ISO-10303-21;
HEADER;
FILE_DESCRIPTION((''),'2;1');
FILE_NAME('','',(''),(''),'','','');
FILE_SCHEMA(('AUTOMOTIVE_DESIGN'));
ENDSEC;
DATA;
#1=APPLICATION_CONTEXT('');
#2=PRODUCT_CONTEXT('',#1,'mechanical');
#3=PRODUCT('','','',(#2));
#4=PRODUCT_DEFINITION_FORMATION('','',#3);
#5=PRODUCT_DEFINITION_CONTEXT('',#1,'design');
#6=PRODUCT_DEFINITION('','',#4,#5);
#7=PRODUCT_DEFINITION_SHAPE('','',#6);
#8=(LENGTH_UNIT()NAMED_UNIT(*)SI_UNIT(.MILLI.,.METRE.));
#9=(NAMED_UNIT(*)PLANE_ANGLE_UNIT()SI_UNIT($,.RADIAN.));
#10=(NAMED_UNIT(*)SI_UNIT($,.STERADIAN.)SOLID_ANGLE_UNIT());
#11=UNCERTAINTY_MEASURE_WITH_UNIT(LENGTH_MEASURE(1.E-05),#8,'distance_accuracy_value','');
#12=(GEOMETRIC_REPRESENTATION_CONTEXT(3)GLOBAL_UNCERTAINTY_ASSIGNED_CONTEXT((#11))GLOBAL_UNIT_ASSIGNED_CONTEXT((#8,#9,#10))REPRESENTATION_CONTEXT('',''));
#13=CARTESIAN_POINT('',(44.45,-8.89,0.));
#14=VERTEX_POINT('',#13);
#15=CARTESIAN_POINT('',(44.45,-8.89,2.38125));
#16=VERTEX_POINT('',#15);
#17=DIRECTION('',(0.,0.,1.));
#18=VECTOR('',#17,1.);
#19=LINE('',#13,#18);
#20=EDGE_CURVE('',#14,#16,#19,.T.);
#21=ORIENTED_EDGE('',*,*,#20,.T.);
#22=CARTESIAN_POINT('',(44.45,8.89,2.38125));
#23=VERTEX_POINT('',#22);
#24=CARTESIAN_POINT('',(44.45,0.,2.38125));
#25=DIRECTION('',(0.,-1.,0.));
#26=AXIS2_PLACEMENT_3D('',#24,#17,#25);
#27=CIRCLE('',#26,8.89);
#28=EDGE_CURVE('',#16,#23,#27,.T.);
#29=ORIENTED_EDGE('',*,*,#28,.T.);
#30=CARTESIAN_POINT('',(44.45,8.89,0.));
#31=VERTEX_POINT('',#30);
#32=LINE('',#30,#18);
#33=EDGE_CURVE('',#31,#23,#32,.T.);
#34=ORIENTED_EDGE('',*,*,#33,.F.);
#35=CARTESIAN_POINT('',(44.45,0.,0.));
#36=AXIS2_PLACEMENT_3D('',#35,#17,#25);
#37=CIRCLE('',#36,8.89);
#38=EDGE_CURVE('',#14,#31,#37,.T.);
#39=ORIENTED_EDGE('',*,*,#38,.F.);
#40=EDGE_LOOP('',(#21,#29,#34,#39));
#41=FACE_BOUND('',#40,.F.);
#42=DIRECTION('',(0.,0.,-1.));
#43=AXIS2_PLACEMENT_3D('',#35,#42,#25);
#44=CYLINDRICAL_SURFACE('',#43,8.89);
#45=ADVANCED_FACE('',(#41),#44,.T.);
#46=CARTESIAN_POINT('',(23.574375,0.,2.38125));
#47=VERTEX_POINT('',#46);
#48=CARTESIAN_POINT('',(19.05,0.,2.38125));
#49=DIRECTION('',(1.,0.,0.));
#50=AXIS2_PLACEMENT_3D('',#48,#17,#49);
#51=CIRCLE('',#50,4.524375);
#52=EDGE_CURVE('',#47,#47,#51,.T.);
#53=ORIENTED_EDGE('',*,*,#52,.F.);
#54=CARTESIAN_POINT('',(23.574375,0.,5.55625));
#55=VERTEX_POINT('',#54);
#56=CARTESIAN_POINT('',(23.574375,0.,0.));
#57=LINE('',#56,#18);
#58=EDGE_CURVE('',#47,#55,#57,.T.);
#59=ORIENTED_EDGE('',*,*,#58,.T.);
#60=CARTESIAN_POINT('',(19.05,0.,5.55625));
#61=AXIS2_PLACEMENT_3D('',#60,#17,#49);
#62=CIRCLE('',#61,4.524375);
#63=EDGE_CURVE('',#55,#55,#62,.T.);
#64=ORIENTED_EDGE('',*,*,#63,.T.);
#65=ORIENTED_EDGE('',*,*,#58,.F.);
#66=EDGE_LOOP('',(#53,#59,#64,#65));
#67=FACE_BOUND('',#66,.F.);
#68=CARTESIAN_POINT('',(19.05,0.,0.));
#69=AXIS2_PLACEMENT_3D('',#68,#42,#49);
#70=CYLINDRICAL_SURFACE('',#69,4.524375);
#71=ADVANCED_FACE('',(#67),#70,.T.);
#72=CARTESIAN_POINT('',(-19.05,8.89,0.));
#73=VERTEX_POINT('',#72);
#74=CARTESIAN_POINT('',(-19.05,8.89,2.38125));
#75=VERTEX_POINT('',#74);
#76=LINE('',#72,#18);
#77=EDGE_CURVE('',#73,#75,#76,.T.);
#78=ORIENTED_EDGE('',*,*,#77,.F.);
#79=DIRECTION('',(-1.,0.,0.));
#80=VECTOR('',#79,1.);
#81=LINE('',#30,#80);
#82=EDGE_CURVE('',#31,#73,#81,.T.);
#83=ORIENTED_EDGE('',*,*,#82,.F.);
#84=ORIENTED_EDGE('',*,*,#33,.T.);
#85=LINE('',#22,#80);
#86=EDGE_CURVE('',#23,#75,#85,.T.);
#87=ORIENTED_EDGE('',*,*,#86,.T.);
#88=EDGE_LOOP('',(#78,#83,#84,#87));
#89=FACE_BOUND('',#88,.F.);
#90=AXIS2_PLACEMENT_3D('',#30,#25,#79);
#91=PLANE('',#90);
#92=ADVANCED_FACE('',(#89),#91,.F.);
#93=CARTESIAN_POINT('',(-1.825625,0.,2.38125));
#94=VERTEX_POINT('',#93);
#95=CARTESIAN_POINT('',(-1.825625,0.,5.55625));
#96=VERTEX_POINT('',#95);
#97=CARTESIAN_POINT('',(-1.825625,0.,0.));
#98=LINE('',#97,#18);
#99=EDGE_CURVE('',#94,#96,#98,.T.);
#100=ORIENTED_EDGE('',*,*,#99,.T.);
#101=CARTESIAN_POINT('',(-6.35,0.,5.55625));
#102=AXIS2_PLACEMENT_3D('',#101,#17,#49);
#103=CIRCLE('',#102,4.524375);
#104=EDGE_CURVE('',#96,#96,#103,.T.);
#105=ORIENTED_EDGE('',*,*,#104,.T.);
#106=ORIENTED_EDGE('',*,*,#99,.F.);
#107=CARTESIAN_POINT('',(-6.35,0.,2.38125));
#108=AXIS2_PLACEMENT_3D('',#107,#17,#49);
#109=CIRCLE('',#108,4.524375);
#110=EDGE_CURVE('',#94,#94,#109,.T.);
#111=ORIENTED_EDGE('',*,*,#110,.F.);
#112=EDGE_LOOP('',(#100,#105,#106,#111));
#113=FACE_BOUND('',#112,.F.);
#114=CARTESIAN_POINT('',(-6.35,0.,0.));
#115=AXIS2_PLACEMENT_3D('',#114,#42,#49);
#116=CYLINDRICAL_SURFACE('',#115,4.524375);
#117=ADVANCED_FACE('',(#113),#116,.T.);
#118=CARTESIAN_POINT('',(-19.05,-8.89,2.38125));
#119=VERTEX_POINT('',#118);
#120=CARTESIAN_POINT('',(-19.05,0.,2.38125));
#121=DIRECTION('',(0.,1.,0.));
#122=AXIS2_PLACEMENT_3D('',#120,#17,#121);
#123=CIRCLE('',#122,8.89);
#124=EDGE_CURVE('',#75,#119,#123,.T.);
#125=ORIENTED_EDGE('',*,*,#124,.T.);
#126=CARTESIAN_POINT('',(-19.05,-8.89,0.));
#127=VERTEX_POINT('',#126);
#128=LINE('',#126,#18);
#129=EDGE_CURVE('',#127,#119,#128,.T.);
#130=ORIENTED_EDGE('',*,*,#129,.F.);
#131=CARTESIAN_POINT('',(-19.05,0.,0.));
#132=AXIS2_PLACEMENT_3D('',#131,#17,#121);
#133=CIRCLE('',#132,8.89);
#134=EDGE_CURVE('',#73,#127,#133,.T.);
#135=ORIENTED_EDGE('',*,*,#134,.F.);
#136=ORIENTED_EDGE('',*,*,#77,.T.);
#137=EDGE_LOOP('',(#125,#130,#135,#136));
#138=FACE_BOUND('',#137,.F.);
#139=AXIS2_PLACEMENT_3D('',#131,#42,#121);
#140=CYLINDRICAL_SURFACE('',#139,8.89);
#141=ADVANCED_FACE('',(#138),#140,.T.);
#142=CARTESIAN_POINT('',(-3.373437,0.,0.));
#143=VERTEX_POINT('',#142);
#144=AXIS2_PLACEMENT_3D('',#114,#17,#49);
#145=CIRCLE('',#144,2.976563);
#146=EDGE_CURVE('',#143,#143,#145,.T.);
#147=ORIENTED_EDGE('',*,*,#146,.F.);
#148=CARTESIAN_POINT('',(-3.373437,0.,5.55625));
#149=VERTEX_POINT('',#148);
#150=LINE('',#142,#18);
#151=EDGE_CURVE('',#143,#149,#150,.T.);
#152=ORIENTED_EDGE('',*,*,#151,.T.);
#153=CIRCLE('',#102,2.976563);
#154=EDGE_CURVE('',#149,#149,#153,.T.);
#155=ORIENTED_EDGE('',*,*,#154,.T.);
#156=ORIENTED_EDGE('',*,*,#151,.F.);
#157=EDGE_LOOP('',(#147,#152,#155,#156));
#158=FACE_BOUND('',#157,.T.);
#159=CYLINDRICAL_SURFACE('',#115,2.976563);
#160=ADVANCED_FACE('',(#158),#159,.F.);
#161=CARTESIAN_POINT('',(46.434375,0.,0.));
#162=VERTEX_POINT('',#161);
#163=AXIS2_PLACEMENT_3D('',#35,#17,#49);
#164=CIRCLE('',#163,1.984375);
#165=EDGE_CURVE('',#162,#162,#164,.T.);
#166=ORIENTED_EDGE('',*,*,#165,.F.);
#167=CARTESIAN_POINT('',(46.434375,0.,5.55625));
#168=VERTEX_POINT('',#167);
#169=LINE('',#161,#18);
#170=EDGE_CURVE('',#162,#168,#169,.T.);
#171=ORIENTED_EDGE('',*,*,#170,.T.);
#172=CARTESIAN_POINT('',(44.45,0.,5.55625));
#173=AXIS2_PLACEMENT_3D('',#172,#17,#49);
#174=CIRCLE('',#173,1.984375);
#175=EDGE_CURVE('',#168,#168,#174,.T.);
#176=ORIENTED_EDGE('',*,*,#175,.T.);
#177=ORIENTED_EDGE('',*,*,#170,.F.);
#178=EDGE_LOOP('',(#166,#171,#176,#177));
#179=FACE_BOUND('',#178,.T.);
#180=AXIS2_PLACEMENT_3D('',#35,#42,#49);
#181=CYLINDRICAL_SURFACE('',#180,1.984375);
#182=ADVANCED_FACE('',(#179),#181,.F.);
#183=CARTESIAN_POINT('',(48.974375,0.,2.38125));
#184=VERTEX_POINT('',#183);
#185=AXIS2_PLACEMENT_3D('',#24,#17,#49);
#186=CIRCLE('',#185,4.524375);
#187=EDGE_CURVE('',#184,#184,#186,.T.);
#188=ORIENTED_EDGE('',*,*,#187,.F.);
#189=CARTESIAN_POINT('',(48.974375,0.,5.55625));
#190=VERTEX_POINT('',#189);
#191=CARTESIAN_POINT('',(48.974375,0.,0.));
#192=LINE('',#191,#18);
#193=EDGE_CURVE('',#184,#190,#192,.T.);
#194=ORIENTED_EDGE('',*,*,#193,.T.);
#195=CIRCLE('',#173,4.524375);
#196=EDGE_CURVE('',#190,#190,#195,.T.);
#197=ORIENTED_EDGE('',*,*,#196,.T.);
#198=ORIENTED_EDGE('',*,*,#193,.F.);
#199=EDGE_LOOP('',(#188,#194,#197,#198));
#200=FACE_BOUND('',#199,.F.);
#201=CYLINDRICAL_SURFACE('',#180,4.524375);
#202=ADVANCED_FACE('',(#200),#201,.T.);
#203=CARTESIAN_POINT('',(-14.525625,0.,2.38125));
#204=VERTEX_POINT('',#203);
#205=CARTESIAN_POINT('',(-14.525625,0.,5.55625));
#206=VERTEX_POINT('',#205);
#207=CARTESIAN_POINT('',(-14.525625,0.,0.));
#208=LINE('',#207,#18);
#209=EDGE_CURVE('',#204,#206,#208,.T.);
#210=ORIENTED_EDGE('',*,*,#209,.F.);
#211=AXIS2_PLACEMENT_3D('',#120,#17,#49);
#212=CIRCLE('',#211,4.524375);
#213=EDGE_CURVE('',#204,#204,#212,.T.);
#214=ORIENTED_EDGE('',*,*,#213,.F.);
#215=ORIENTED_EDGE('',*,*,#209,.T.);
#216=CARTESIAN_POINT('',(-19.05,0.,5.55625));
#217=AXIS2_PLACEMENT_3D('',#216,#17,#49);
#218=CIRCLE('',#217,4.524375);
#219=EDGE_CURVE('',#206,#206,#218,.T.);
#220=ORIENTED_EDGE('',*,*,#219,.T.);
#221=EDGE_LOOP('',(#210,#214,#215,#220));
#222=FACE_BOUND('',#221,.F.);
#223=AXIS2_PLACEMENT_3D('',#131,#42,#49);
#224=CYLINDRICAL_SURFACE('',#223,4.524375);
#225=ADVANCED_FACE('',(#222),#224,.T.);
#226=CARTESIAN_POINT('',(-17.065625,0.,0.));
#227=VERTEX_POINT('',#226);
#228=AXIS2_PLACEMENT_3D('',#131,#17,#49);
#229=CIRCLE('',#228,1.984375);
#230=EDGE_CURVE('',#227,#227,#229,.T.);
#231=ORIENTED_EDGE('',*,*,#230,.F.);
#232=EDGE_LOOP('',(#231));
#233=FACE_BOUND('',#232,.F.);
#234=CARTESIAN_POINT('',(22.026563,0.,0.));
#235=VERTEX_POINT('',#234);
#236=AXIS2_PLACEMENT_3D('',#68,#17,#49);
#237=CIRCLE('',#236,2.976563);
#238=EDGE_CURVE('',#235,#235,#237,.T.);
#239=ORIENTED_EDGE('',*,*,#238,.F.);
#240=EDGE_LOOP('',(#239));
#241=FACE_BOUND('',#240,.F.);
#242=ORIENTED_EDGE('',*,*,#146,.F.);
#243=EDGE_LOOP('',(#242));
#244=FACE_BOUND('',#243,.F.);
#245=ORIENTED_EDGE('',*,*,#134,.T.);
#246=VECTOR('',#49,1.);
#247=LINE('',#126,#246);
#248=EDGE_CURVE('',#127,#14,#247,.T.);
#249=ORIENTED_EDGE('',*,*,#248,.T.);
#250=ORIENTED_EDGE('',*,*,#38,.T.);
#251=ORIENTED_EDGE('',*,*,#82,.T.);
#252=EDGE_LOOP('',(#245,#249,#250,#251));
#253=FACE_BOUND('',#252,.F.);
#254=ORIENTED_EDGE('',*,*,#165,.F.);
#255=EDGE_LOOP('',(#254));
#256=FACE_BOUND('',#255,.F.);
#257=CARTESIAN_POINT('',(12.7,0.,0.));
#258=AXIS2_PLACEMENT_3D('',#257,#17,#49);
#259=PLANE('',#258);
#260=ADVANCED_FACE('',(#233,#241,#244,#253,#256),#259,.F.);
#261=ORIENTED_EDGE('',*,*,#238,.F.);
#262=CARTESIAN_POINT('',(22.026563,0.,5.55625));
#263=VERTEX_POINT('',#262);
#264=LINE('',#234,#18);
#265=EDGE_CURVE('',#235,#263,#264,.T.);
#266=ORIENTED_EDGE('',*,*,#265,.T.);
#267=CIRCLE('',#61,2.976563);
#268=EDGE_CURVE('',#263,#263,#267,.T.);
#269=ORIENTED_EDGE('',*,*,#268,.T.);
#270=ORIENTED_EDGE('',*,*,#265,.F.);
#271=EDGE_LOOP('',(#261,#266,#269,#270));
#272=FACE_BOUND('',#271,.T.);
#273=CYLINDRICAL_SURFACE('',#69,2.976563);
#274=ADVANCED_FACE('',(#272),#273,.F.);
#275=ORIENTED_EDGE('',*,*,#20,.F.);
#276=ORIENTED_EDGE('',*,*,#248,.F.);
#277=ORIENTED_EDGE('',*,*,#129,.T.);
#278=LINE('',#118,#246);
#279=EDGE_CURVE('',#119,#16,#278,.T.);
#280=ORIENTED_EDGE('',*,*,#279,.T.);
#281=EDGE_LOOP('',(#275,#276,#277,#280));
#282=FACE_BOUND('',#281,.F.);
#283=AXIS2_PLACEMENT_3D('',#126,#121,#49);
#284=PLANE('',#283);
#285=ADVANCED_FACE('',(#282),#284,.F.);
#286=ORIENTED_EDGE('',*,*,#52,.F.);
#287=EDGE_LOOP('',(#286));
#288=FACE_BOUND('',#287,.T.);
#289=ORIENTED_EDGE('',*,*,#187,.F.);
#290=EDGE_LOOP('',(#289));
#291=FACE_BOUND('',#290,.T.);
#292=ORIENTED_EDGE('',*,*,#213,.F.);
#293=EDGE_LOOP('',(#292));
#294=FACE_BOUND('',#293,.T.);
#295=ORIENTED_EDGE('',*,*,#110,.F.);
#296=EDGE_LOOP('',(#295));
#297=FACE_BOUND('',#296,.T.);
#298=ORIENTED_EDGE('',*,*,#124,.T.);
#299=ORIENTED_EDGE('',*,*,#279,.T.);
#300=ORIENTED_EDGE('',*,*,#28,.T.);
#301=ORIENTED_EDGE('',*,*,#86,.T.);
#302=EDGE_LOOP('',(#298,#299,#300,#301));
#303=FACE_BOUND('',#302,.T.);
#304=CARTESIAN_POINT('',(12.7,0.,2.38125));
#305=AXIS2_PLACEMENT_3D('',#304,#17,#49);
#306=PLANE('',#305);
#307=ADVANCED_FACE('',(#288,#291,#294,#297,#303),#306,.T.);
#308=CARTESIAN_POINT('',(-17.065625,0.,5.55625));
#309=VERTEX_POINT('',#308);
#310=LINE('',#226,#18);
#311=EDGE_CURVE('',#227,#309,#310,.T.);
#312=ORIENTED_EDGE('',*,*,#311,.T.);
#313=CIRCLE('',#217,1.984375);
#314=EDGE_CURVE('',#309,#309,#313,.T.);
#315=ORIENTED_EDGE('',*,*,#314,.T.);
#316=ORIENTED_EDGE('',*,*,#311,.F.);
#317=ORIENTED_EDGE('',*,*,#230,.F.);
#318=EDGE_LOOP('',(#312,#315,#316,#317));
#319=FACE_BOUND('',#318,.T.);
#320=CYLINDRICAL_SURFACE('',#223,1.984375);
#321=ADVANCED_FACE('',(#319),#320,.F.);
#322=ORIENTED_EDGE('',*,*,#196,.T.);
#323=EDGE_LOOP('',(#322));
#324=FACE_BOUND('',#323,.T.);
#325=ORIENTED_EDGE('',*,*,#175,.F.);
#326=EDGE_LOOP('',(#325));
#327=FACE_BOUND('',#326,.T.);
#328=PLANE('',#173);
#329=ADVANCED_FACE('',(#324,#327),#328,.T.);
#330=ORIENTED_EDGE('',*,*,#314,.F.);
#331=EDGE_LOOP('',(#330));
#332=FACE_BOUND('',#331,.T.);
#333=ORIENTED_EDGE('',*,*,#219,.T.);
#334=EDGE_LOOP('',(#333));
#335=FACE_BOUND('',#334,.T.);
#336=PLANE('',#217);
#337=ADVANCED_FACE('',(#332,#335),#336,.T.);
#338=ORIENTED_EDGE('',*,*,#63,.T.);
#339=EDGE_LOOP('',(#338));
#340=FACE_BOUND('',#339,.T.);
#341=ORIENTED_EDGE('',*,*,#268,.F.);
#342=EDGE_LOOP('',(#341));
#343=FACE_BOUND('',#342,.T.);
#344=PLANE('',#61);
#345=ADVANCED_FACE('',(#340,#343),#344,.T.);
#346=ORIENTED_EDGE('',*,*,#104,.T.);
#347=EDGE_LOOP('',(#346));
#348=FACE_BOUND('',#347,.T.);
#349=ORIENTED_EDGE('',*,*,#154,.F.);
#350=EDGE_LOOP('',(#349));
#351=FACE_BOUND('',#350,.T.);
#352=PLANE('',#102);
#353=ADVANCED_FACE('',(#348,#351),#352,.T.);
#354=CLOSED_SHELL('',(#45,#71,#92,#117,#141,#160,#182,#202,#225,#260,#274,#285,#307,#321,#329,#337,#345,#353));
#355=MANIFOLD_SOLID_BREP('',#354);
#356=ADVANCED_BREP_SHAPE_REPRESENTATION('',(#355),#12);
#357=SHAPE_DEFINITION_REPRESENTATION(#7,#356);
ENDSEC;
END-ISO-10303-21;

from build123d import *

# Parameters (mm, degrees)
F0_R     = 4.524375
F1_DEPTH = 2.38125
F0_R_2   = 1.984375
F0_R_3   = 2.976563
F2_DEPTH = 5.55625


with BuildPart() as f1:
    # F0 (on Top) → F1 (new body)
    with BuildSketch(Plane.XY):
        with BuildLine():
            ThreePointArc((-19.05, 8.89), (-27.94, 0), (-19.05, -8.89))
            Line((-19.05, -8.89), (44.45, -8.89))
            ThreePointArc((44.45, -8.89), (53.34, 0), (44.45, 8.89))
            Line((44.45, 8.89), (-19.05, 8.89))
        make_face()
        with Locations((-19.05, 0)):
            Circle(F0_R, mode=Mode.SUBTRACT)
        with Locations((-6.35, 0)):
            Circle(F0_R, mode=Mode.SUBTRACT)
        with Locations((19.05, 0)):
            Circle(F0_R, mode=Mode.SUBTRACT)
        with Locations((44.45, 0)):
            Circle(F0_R, mode=Mode.SUBTRACT)
    extrude(amount=F1_DEPTH)

    # F0 (on Top) → F2 (join)
    with BuildSketch(Plane.XY):
        with Locations((-19.05, 0)):
            Circle(F0_R)
        with Locations((-19.05, 0)):
            Circle(F0_R_2, mode=Mode.SUBTRACT)
        with Locations((-6.35, 0)):
            Circle(F0_R)
        with Locations((-6.35, 0)):
            Circle(F0_R_3, mode=Mode.SUBTRACT)
        with Locations((19.05, 0)):
            Circle(F0_R)
        with Locations((19.05, 0)):
            Circle(F0_R_3, mode=Mode.SUBTRACT)
        with Locations((44.45, 0)):
            Circle(F0_R)
        with Locations((44.45, 0)):
            Circle(F0_R_2, mode=Mode.SUBTRACT)
    extrude(amount=F2_DEPTH)


solid = f1.part
